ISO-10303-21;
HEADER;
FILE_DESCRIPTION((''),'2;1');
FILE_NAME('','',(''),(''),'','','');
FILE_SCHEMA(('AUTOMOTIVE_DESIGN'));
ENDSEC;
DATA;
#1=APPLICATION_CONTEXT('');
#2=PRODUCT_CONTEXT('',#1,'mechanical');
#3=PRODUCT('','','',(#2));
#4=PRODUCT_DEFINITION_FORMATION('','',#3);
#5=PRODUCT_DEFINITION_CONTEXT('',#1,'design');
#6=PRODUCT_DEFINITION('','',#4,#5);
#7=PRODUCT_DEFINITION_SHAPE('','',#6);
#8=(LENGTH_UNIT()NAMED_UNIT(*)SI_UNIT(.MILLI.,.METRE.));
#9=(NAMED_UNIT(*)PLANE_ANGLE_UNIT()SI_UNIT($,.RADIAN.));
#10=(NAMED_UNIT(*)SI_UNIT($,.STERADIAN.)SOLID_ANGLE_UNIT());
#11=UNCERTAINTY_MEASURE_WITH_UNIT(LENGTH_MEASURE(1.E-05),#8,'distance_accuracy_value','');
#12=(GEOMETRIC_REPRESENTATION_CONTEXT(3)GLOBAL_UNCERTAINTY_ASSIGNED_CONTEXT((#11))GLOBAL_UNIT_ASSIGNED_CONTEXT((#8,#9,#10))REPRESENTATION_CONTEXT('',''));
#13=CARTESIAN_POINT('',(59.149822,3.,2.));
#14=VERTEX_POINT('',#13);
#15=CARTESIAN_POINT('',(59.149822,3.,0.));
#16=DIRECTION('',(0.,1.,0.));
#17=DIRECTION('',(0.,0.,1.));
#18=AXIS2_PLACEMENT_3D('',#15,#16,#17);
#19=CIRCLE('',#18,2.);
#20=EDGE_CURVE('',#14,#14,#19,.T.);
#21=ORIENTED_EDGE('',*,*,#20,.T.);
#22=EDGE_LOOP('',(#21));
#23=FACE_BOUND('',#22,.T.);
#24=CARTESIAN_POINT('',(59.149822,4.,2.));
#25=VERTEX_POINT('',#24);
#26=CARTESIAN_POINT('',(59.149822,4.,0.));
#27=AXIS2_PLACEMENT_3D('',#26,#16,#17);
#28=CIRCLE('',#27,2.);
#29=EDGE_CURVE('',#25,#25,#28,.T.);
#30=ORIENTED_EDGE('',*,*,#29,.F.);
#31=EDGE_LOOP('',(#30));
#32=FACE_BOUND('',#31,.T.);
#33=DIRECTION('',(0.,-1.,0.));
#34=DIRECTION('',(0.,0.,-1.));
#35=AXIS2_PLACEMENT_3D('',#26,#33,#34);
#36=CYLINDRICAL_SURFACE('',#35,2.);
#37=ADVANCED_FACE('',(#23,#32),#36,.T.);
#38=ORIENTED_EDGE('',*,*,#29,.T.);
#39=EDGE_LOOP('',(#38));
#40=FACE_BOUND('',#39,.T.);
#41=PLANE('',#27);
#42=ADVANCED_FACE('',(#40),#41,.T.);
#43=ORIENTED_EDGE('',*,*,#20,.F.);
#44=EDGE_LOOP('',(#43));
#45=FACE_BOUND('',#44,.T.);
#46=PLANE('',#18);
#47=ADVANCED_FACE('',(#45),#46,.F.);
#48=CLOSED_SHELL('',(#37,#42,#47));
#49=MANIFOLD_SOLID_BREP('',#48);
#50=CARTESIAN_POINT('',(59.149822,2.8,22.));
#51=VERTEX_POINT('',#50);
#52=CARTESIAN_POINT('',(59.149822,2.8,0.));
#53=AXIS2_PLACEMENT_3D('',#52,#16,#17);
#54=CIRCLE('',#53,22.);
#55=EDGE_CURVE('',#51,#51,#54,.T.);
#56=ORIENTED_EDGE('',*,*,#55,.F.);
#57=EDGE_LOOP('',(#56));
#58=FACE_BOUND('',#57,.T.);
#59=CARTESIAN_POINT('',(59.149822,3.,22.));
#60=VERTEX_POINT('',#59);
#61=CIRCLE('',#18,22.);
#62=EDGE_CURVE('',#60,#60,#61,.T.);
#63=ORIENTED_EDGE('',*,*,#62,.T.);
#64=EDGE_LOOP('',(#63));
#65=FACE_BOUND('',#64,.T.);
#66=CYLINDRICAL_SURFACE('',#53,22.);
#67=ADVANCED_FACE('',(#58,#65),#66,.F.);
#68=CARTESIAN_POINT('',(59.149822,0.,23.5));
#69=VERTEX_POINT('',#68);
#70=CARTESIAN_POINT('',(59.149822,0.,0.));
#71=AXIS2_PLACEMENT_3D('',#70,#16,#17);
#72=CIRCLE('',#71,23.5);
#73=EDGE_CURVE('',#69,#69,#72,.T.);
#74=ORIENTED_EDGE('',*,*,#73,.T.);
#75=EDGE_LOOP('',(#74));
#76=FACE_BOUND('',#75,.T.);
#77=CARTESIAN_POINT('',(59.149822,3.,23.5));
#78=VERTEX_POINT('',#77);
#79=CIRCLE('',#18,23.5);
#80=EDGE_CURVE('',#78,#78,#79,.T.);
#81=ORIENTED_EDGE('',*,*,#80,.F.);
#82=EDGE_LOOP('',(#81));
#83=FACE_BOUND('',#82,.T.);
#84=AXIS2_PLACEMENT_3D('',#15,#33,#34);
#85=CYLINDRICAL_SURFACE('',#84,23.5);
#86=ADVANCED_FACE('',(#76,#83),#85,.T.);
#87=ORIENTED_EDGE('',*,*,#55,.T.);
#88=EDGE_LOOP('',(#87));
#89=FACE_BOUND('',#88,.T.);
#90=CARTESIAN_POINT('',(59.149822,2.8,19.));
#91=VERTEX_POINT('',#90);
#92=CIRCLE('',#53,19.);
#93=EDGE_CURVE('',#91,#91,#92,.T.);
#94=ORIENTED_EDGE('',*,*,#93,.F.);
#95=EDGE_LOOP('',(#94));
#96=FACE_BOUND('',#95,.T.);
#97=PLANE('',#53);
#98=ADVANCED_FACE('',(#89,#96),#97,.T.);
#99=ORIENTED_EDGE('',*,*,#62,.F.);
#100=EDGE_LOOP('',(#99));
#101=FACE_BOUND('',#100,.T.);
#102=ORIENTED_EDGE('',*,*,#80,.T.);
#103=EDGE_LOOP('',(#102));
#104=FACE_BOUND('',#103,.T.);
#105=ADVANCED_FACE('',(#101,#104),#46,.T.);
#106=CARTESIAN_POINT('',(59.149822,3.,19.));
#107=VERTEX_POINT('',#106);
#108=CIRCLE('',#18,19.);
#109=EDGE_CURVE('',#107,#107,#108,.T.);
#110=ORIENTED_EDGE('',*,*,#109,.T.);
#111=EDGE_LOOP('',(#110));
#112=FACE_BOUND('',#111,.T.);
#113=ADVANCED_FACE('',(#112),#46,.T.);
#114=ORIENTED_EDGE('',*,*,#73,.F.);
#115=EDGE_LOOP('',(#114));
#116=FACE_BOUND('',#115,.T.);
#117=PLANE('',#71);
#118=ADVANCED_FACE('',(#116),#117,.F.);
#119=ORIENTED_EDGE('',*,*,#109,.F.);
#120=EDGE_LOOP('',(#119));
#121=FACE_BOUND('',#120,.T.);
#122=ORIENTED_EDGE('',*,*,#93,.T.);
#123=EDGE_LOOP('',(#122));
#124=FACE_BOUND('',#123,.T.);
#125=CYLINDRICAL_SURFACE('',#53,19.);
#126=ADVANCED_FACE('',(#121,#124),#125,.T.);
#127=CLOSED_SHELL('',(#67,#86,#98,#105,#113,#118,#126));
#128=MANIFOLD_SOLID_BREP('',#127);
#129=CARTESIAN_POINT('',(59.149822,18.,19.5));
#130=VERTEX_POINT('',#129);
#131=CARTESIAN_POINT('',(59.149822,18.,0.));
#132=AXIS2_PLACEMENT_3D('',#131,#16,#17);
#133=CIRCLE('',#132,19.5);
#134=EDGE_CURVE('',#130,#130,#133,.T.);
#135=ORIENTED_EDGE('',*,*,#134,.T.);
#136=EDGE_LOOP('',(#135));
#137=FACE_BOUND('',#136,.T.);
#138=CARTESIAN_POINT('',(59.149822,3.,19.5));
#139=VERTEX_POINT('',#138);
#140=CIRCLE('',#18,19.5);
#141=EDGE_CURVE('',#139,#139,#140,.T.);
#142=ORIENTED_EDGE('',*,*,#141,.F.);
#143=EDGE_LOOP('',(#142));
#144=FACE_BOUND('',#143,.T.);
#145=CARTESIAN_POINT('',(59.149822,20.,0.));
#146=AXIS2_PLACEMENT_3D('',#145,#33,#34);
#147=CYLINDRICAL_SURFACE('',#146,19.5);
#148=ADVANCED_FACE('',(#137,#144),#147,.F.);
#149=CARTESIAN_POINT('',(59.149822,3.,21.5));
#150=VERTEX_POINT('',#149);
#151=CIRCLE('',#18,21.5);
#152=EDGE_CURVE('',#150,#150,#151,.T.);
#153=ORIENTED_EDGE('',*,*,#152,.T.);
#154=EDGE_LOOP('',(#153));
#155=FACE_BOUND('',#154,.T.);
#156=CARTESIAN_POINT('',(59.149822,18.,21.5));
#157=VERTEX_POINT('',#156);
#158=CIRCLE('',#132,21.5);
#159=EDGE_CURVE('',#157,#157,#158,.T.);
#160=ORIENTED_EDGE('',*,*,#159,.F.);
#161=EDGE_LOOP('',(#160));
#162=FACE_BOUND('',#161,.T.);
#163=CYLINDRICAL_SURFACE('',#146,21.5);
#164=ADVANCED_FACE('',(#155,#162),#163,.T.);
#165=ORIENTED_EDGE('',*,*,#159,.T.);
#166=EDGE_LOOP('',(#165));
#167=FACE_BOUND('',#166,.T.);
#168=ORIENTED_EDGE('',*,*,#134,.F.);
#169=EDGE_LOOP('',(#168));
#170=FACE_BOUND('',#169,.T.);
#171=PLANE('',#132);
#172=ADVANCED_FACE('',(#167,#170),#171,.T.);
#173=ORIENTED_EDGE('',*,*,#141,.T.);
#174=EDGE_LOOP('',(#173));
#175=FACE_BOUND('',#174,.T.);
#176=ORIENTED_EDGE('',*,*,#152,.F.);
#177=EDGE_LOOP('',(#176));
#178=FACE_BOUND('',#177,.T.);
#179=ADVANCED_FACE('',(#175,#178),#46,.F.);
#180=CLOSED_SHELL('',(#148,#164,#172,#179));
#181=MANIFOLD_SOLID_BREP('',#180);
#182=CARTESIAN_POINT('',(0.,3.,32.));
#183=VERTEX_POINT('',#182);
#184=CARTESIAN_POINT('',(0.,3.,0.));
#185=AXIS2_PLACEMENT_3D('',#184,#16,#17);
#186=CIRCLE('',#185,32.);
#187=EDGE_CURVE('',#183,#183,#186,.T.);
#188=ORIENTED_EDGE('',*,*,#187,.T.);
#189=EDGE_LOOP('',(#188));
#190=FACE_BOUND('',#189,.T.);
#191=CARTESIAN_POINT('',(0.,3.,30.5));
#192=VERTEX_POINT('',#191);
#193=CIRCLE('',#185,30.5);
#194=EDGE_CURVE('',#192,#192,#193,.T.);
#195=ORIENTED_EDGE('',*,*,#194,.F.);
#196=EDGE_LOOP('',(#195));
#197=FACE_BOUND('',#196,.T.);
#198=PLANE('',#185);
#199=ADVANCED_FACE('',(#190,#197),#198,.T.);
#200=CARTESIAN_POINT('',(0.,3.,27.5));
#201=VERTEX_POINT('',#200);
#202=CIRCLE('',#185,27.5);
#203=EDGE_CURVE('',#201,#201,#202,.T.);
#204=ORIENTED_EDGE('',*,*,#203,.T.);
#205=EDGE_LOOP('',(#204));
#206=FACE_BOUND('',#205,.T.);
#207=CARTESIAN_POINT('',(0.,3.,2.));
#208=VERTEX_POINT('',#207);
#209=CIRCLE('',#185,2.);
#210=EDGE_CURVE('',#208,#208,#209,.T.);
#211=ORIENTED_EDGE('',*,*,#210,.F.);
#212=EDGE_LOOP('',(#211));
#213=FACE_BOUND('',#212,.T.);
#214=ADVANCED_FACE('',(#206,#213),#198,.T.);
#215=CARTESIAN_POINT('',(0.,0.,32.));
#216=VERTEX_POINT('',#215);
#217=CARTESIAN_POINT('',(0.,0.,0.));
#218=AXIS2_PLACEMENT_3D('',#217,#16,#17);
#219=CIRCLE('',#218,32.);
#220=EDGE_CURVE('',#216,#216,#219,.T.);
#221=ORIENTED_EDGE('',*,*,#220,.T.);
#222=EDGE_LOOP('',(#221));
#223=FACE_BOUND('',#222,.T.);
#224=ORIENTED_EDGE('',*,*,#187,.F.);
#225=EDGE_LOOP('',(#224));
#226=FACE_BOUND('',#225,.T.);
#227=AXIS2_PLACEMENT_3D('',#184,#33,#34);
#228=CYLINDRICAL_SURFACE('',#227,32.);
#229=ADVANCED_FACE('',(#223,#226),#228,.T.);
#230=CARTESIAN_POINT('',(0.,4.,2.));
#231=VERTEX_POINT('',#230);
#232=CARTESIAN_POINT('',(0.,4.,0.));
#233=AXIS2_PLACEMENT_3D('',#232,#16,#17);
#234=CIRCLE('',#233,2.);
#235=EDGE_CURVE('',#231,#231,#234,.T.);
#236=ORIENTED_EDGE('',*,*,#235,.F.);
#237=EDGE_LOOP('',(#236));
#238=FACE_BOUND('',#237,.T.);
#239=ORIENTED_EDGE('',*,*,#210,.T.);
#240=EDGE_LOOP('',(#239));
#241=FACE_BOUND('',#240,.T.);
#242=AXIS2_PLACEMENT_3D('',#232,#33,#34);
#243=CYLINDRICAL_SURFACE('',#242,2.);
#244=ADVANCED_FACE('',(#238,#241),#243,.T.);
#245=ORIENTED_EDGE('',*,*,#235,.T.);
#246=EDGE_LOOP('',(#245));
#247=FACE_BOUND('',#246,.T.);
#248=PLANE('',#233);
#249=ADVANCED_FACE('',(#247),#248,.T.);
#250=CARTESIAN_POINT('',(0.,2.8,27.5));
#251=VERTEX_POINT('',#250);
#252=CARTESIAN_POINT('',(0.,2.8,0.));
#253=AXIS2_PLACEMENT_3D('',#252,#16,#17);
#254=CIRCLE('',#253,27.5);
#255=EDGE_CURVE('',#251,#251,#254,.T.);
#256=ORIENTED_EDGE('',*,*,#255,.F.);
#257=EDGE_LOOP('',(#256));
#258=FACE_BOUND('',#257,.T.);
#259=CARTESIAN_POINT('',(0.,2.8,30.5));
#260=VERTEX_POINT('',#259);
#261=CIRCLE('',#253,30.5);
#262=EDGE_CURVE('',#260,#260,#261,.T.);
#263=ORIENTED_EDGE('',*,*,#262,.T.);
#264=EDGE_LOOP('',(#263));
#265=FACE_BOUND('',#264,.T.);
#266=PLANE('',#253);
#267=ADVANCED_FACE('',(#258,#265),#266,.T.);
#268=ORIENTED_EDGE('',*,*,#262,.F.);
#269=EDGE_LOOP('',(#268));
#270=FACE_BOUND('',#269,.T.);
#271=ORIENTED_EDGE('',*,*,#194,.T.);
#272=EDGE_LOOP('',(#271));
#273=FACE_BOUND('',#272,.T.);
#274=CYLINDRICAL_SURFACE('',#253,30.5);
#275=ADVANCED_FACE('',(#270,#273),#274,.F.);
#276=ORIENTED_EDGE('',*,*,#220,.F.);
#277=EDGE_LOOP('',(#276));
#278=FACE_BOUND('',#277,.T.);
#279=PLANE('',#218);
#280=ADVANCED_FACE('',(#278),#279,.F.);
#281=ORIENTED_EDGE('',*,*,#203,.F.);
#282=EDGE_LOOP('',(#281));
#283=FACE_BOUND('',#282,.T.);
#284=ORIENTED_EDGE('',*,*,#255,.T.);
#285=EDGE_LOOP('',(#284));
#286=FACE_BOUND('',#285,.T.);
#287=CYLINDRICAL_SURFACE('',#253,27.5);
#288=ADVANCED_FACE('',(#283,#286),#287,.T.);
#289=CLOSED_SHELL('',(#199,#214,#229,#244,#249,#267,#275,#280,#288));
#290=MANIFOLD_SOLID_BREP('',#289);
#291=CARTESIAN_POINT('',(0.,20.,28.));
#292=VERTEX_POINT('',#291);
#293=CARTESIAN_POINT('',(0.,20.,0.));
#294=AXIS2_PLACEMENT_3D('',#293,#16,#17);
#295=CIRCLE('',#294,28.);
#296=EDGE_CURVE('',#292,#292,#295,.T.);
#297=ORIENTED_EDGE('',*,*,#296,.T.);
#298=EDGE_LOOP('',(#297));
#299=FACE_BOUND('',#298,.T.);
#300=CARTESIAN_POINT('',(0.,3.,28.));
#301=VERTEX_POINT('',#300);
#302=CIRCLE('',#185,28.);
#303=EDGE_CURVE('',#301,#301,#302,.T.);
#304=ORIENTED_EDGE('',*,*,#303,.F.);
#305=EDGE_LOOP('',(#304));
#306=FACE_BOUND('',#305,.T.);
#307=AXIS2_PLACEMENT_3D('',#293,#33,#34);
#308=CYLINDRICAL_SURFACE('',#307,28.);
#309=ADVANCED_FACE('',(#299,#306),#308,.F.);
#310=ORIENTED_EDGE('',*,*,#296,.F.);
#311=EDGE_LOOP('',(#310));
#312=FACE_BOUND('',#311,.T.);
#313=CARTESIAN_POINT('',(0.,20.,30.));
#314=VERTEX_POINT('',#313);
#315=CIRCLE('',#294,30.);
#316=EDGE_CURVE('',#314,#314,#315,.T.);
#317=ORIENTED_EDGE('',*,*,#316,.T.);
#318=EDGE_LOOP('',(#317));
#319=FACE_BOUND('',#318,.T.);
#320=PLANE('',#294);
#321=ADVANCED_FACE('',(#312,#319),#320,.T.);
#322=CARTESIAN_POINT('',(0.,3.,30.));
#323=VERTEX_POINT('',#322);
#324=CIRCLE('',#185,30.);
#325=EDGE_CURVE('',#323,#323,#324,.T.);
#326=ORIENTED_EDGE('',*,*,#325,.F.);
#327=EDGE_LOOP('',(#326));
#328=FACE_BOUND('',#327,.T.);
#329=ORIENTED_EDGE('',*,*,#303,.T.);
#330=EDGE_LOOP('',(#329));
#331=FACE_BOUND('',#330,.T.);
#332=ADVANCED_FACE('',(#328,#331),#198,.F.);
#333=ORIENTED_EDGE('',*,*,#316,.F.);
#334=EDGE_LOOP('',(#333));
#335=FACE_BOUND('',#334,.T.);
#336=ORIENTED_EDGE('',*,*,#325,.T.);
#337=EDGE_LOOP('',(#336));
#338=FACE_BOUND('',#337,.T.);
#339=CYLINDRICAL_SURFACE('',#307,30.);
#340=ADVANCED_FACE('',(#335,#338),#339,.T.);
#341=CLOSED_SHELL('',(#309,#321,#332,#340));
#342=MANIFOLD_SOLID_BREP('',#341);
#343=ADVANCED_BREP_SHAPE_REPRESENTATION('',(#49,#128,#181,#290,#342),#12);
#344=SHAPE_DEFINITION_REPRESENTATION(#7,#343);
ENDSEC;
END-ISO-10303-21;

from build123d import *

# Parameters (mm, degrees)
SKETCH_1_R          = 32
EXTRUDE_2_DEPTH     = 3
SKETCH_1_R_2        = 23.5
EXTRUDE_2_2_DEPTH   = 3
SKETCH_5_R          = 30.5
SKETCH_5_R_2        = 27.5
SKETCH_5_R_3        = 22
SKETCH_5_R_4        = 19
CUT_EXTRUDE_2_DEPTH = 0.2
SKETCH_6_R          = 30
SKETCH_6_R_2        = 28
EXTRUDE_5_DEPTH     = 17
SKETCH_6_R_3        = 21.5
SKETCH_6_R_4        = 19.5
EXTRUDE_5_2_DEPTH   = 17
SKETCH_7_R          = 2
EXTRUDE_6_DEPTH     = 1
SKETCH_9_R          = 24.43031199
CUT_EXTRUDE_3_DEPTH = 2


with BuildPart() as part:
    # Эскиз1 → Бобышка-Вытянуть2 (new body)
    with BuildSketch(Plane(origin=(0, 0, 0), x_dir=(1, 0, 0), z_dir=(0, 1, 0))):
        with Locations(Location((0, 0, 0), (0, 0, 270))):
            Circle(SKETCH_1_R)
    extrude(amount=EXTRUDE_2_DEPTH)


with BuildPart() as body_2:
    # Эскиз1 → Extrude 2 2 (new body)
    with BuildSketch(Plane(origin=(0, 0, 0), x_dir=(1, 0, 0), z_dir=(0, 1, 0))):
        with Locations(Location((59.149821763, 0, 0), (0, 0, 270))):
            Circle(SKETCH_1_R_2)
    extrude(amount=EXTRUDE_2_2_DEPTH)


with BuildPart() as cut_extrude_2_tool:
    # Эскиз5 → Вырез-Вытянуть2 (new body)
    # profile 1 of 2: a face of its own
    with BuildSketch(Plane(origin=(0, 3, 0), x_dir=(1, 0, 0), z_dir=(0, 1, 0))):
        with Locations(Location((0, 0, 0), (0, 0, 270))):
            Circle(SKETCH_5_R)
        with Locations(Location((0, 0, 0), (0, 0, 270))):
            Circle(SKETCH_5_R_2, mode=Mode.SUBTRACT)
    # profile 2 of 2: a face of its own
    with BuildSketch(Plane(origin=(0, 3, 0), x_dir=(1, 0, 0), z_dir=(0, 1, 0))):
        with Locations(Location((59.149821763, 0, 0), (0, 0, 270))):
            Circle(SKETCH_5_R_3)
        with Locations(Location((59.149821763, 0, 0), (0, 0, 270))):
            Circle(SKETCH_5_R_4, mode=Mode.SUBTRACT)
    extrude(amount=-CUT_EXTRUDE_2_DEPTH)


with BuildPart() as part_1:
    add(part.part)

    # Вырез-Вытянуть2: cut by cut_extrude_2_tool
    add(cut_extrude_2_tool.part, mode=Mode.SUBTRACT)

    # Эскиз7 → Бобышка-Вытянуть6 (add)
    with BuildSketch(Plane(origin=(0, 3, 0), x_dir=(1, 0, 0), z_dir=(0, 1, 0))):
        with Locations(Location((0, 0, 0), (0, 0, 270))):
            Circle(SKETCH_7_R)
        with Locations(Location((59.149821763, 0, 0), (0, 0, 270))):
            Circle(SKETCH_7_R)
    extrude(amount=EXTRUDE_6_DEPTH)


with BuildPart() as body_2_1:
    add(body_2.part)

    # Вырез-Вытянуть2: cut by cut_extrude_2_tool
    add(cut_extrude_2_tool.part, mode=Mode.SUBTRACT)


with BuildPart() as body_3:
    # Эскиз6 → Бобышка-Вытянуть5 (new body)
    with BuildSketch(Plane(origin=(0, 3, 0), x_dir=(1, 0, 0), z_dir=(0, 1, 0))):
        with Locations(Location((0, 0, 0), (0, 0, 270))):
            Circle(SKETCH_6_R)
        with Locations(Location((0, 0, 0), (0, 0, 270))):
            Circle(SKETCH_6_R_2, mode=Mode.SUBTRACT)
    extrude(amount=EXTRUDE_5_DEPTH)


with BuildPart() as body_4:
    # Эскиз6 → Extrude 5 2 (new body)
    with BuildSketch(Plane(origin=(0, 3, 0), x_dir=(1, 0, 0), z_dir=(0, 1, 0))):
        with Locations(Location((59.149821763, 0, 0), (0, 0, 270))):
            Circle(SKETCH_6_R_3)
        with Locations(Location((59.149821763, 0, 0), (0, 0, 270))):
            Circle(SKETCH_6_R_4, mode=Mode.SUBTRACT)
    extrude(amount=EXTRUDE_5_2_DEPTH)

    # Эскиз9 → Вырез-Вытянуть3 (cut)
    with BuildSketch(Plane(origin=(0, 20, 0), x_dir=(1, 0, 0), z_dir=(0, 1, 0))):
        with Locations((59.149821763, 0)):
            Circle(SKETCH_9_R)
    extrude(amount=-CUT_EXTRUDE_3_DEPTH, mode=Mode.SUBTRACT)


with BuildPart() as extrude_6_piece_1:
    # of the separate pieces the step leaves, piece 1, a body of its own (extrude_6_pieces)
    add(part_1.part.solids().sort_by_distance((0, 0, 32))[0])


with BuildPart() as extrude_6_piece_2:
    # of the separate pieces the step leaves, piece 2, a body of its own (extrude_6_pieces)
    add(part_1.part.solids().sort_by_distance((59.149821763, 3, 2))[0])


solid = Compound([body_2_1.part, body_3.part, body_4.part, extrude_6_piece_1.part, extrude_6_piece_2.part])
